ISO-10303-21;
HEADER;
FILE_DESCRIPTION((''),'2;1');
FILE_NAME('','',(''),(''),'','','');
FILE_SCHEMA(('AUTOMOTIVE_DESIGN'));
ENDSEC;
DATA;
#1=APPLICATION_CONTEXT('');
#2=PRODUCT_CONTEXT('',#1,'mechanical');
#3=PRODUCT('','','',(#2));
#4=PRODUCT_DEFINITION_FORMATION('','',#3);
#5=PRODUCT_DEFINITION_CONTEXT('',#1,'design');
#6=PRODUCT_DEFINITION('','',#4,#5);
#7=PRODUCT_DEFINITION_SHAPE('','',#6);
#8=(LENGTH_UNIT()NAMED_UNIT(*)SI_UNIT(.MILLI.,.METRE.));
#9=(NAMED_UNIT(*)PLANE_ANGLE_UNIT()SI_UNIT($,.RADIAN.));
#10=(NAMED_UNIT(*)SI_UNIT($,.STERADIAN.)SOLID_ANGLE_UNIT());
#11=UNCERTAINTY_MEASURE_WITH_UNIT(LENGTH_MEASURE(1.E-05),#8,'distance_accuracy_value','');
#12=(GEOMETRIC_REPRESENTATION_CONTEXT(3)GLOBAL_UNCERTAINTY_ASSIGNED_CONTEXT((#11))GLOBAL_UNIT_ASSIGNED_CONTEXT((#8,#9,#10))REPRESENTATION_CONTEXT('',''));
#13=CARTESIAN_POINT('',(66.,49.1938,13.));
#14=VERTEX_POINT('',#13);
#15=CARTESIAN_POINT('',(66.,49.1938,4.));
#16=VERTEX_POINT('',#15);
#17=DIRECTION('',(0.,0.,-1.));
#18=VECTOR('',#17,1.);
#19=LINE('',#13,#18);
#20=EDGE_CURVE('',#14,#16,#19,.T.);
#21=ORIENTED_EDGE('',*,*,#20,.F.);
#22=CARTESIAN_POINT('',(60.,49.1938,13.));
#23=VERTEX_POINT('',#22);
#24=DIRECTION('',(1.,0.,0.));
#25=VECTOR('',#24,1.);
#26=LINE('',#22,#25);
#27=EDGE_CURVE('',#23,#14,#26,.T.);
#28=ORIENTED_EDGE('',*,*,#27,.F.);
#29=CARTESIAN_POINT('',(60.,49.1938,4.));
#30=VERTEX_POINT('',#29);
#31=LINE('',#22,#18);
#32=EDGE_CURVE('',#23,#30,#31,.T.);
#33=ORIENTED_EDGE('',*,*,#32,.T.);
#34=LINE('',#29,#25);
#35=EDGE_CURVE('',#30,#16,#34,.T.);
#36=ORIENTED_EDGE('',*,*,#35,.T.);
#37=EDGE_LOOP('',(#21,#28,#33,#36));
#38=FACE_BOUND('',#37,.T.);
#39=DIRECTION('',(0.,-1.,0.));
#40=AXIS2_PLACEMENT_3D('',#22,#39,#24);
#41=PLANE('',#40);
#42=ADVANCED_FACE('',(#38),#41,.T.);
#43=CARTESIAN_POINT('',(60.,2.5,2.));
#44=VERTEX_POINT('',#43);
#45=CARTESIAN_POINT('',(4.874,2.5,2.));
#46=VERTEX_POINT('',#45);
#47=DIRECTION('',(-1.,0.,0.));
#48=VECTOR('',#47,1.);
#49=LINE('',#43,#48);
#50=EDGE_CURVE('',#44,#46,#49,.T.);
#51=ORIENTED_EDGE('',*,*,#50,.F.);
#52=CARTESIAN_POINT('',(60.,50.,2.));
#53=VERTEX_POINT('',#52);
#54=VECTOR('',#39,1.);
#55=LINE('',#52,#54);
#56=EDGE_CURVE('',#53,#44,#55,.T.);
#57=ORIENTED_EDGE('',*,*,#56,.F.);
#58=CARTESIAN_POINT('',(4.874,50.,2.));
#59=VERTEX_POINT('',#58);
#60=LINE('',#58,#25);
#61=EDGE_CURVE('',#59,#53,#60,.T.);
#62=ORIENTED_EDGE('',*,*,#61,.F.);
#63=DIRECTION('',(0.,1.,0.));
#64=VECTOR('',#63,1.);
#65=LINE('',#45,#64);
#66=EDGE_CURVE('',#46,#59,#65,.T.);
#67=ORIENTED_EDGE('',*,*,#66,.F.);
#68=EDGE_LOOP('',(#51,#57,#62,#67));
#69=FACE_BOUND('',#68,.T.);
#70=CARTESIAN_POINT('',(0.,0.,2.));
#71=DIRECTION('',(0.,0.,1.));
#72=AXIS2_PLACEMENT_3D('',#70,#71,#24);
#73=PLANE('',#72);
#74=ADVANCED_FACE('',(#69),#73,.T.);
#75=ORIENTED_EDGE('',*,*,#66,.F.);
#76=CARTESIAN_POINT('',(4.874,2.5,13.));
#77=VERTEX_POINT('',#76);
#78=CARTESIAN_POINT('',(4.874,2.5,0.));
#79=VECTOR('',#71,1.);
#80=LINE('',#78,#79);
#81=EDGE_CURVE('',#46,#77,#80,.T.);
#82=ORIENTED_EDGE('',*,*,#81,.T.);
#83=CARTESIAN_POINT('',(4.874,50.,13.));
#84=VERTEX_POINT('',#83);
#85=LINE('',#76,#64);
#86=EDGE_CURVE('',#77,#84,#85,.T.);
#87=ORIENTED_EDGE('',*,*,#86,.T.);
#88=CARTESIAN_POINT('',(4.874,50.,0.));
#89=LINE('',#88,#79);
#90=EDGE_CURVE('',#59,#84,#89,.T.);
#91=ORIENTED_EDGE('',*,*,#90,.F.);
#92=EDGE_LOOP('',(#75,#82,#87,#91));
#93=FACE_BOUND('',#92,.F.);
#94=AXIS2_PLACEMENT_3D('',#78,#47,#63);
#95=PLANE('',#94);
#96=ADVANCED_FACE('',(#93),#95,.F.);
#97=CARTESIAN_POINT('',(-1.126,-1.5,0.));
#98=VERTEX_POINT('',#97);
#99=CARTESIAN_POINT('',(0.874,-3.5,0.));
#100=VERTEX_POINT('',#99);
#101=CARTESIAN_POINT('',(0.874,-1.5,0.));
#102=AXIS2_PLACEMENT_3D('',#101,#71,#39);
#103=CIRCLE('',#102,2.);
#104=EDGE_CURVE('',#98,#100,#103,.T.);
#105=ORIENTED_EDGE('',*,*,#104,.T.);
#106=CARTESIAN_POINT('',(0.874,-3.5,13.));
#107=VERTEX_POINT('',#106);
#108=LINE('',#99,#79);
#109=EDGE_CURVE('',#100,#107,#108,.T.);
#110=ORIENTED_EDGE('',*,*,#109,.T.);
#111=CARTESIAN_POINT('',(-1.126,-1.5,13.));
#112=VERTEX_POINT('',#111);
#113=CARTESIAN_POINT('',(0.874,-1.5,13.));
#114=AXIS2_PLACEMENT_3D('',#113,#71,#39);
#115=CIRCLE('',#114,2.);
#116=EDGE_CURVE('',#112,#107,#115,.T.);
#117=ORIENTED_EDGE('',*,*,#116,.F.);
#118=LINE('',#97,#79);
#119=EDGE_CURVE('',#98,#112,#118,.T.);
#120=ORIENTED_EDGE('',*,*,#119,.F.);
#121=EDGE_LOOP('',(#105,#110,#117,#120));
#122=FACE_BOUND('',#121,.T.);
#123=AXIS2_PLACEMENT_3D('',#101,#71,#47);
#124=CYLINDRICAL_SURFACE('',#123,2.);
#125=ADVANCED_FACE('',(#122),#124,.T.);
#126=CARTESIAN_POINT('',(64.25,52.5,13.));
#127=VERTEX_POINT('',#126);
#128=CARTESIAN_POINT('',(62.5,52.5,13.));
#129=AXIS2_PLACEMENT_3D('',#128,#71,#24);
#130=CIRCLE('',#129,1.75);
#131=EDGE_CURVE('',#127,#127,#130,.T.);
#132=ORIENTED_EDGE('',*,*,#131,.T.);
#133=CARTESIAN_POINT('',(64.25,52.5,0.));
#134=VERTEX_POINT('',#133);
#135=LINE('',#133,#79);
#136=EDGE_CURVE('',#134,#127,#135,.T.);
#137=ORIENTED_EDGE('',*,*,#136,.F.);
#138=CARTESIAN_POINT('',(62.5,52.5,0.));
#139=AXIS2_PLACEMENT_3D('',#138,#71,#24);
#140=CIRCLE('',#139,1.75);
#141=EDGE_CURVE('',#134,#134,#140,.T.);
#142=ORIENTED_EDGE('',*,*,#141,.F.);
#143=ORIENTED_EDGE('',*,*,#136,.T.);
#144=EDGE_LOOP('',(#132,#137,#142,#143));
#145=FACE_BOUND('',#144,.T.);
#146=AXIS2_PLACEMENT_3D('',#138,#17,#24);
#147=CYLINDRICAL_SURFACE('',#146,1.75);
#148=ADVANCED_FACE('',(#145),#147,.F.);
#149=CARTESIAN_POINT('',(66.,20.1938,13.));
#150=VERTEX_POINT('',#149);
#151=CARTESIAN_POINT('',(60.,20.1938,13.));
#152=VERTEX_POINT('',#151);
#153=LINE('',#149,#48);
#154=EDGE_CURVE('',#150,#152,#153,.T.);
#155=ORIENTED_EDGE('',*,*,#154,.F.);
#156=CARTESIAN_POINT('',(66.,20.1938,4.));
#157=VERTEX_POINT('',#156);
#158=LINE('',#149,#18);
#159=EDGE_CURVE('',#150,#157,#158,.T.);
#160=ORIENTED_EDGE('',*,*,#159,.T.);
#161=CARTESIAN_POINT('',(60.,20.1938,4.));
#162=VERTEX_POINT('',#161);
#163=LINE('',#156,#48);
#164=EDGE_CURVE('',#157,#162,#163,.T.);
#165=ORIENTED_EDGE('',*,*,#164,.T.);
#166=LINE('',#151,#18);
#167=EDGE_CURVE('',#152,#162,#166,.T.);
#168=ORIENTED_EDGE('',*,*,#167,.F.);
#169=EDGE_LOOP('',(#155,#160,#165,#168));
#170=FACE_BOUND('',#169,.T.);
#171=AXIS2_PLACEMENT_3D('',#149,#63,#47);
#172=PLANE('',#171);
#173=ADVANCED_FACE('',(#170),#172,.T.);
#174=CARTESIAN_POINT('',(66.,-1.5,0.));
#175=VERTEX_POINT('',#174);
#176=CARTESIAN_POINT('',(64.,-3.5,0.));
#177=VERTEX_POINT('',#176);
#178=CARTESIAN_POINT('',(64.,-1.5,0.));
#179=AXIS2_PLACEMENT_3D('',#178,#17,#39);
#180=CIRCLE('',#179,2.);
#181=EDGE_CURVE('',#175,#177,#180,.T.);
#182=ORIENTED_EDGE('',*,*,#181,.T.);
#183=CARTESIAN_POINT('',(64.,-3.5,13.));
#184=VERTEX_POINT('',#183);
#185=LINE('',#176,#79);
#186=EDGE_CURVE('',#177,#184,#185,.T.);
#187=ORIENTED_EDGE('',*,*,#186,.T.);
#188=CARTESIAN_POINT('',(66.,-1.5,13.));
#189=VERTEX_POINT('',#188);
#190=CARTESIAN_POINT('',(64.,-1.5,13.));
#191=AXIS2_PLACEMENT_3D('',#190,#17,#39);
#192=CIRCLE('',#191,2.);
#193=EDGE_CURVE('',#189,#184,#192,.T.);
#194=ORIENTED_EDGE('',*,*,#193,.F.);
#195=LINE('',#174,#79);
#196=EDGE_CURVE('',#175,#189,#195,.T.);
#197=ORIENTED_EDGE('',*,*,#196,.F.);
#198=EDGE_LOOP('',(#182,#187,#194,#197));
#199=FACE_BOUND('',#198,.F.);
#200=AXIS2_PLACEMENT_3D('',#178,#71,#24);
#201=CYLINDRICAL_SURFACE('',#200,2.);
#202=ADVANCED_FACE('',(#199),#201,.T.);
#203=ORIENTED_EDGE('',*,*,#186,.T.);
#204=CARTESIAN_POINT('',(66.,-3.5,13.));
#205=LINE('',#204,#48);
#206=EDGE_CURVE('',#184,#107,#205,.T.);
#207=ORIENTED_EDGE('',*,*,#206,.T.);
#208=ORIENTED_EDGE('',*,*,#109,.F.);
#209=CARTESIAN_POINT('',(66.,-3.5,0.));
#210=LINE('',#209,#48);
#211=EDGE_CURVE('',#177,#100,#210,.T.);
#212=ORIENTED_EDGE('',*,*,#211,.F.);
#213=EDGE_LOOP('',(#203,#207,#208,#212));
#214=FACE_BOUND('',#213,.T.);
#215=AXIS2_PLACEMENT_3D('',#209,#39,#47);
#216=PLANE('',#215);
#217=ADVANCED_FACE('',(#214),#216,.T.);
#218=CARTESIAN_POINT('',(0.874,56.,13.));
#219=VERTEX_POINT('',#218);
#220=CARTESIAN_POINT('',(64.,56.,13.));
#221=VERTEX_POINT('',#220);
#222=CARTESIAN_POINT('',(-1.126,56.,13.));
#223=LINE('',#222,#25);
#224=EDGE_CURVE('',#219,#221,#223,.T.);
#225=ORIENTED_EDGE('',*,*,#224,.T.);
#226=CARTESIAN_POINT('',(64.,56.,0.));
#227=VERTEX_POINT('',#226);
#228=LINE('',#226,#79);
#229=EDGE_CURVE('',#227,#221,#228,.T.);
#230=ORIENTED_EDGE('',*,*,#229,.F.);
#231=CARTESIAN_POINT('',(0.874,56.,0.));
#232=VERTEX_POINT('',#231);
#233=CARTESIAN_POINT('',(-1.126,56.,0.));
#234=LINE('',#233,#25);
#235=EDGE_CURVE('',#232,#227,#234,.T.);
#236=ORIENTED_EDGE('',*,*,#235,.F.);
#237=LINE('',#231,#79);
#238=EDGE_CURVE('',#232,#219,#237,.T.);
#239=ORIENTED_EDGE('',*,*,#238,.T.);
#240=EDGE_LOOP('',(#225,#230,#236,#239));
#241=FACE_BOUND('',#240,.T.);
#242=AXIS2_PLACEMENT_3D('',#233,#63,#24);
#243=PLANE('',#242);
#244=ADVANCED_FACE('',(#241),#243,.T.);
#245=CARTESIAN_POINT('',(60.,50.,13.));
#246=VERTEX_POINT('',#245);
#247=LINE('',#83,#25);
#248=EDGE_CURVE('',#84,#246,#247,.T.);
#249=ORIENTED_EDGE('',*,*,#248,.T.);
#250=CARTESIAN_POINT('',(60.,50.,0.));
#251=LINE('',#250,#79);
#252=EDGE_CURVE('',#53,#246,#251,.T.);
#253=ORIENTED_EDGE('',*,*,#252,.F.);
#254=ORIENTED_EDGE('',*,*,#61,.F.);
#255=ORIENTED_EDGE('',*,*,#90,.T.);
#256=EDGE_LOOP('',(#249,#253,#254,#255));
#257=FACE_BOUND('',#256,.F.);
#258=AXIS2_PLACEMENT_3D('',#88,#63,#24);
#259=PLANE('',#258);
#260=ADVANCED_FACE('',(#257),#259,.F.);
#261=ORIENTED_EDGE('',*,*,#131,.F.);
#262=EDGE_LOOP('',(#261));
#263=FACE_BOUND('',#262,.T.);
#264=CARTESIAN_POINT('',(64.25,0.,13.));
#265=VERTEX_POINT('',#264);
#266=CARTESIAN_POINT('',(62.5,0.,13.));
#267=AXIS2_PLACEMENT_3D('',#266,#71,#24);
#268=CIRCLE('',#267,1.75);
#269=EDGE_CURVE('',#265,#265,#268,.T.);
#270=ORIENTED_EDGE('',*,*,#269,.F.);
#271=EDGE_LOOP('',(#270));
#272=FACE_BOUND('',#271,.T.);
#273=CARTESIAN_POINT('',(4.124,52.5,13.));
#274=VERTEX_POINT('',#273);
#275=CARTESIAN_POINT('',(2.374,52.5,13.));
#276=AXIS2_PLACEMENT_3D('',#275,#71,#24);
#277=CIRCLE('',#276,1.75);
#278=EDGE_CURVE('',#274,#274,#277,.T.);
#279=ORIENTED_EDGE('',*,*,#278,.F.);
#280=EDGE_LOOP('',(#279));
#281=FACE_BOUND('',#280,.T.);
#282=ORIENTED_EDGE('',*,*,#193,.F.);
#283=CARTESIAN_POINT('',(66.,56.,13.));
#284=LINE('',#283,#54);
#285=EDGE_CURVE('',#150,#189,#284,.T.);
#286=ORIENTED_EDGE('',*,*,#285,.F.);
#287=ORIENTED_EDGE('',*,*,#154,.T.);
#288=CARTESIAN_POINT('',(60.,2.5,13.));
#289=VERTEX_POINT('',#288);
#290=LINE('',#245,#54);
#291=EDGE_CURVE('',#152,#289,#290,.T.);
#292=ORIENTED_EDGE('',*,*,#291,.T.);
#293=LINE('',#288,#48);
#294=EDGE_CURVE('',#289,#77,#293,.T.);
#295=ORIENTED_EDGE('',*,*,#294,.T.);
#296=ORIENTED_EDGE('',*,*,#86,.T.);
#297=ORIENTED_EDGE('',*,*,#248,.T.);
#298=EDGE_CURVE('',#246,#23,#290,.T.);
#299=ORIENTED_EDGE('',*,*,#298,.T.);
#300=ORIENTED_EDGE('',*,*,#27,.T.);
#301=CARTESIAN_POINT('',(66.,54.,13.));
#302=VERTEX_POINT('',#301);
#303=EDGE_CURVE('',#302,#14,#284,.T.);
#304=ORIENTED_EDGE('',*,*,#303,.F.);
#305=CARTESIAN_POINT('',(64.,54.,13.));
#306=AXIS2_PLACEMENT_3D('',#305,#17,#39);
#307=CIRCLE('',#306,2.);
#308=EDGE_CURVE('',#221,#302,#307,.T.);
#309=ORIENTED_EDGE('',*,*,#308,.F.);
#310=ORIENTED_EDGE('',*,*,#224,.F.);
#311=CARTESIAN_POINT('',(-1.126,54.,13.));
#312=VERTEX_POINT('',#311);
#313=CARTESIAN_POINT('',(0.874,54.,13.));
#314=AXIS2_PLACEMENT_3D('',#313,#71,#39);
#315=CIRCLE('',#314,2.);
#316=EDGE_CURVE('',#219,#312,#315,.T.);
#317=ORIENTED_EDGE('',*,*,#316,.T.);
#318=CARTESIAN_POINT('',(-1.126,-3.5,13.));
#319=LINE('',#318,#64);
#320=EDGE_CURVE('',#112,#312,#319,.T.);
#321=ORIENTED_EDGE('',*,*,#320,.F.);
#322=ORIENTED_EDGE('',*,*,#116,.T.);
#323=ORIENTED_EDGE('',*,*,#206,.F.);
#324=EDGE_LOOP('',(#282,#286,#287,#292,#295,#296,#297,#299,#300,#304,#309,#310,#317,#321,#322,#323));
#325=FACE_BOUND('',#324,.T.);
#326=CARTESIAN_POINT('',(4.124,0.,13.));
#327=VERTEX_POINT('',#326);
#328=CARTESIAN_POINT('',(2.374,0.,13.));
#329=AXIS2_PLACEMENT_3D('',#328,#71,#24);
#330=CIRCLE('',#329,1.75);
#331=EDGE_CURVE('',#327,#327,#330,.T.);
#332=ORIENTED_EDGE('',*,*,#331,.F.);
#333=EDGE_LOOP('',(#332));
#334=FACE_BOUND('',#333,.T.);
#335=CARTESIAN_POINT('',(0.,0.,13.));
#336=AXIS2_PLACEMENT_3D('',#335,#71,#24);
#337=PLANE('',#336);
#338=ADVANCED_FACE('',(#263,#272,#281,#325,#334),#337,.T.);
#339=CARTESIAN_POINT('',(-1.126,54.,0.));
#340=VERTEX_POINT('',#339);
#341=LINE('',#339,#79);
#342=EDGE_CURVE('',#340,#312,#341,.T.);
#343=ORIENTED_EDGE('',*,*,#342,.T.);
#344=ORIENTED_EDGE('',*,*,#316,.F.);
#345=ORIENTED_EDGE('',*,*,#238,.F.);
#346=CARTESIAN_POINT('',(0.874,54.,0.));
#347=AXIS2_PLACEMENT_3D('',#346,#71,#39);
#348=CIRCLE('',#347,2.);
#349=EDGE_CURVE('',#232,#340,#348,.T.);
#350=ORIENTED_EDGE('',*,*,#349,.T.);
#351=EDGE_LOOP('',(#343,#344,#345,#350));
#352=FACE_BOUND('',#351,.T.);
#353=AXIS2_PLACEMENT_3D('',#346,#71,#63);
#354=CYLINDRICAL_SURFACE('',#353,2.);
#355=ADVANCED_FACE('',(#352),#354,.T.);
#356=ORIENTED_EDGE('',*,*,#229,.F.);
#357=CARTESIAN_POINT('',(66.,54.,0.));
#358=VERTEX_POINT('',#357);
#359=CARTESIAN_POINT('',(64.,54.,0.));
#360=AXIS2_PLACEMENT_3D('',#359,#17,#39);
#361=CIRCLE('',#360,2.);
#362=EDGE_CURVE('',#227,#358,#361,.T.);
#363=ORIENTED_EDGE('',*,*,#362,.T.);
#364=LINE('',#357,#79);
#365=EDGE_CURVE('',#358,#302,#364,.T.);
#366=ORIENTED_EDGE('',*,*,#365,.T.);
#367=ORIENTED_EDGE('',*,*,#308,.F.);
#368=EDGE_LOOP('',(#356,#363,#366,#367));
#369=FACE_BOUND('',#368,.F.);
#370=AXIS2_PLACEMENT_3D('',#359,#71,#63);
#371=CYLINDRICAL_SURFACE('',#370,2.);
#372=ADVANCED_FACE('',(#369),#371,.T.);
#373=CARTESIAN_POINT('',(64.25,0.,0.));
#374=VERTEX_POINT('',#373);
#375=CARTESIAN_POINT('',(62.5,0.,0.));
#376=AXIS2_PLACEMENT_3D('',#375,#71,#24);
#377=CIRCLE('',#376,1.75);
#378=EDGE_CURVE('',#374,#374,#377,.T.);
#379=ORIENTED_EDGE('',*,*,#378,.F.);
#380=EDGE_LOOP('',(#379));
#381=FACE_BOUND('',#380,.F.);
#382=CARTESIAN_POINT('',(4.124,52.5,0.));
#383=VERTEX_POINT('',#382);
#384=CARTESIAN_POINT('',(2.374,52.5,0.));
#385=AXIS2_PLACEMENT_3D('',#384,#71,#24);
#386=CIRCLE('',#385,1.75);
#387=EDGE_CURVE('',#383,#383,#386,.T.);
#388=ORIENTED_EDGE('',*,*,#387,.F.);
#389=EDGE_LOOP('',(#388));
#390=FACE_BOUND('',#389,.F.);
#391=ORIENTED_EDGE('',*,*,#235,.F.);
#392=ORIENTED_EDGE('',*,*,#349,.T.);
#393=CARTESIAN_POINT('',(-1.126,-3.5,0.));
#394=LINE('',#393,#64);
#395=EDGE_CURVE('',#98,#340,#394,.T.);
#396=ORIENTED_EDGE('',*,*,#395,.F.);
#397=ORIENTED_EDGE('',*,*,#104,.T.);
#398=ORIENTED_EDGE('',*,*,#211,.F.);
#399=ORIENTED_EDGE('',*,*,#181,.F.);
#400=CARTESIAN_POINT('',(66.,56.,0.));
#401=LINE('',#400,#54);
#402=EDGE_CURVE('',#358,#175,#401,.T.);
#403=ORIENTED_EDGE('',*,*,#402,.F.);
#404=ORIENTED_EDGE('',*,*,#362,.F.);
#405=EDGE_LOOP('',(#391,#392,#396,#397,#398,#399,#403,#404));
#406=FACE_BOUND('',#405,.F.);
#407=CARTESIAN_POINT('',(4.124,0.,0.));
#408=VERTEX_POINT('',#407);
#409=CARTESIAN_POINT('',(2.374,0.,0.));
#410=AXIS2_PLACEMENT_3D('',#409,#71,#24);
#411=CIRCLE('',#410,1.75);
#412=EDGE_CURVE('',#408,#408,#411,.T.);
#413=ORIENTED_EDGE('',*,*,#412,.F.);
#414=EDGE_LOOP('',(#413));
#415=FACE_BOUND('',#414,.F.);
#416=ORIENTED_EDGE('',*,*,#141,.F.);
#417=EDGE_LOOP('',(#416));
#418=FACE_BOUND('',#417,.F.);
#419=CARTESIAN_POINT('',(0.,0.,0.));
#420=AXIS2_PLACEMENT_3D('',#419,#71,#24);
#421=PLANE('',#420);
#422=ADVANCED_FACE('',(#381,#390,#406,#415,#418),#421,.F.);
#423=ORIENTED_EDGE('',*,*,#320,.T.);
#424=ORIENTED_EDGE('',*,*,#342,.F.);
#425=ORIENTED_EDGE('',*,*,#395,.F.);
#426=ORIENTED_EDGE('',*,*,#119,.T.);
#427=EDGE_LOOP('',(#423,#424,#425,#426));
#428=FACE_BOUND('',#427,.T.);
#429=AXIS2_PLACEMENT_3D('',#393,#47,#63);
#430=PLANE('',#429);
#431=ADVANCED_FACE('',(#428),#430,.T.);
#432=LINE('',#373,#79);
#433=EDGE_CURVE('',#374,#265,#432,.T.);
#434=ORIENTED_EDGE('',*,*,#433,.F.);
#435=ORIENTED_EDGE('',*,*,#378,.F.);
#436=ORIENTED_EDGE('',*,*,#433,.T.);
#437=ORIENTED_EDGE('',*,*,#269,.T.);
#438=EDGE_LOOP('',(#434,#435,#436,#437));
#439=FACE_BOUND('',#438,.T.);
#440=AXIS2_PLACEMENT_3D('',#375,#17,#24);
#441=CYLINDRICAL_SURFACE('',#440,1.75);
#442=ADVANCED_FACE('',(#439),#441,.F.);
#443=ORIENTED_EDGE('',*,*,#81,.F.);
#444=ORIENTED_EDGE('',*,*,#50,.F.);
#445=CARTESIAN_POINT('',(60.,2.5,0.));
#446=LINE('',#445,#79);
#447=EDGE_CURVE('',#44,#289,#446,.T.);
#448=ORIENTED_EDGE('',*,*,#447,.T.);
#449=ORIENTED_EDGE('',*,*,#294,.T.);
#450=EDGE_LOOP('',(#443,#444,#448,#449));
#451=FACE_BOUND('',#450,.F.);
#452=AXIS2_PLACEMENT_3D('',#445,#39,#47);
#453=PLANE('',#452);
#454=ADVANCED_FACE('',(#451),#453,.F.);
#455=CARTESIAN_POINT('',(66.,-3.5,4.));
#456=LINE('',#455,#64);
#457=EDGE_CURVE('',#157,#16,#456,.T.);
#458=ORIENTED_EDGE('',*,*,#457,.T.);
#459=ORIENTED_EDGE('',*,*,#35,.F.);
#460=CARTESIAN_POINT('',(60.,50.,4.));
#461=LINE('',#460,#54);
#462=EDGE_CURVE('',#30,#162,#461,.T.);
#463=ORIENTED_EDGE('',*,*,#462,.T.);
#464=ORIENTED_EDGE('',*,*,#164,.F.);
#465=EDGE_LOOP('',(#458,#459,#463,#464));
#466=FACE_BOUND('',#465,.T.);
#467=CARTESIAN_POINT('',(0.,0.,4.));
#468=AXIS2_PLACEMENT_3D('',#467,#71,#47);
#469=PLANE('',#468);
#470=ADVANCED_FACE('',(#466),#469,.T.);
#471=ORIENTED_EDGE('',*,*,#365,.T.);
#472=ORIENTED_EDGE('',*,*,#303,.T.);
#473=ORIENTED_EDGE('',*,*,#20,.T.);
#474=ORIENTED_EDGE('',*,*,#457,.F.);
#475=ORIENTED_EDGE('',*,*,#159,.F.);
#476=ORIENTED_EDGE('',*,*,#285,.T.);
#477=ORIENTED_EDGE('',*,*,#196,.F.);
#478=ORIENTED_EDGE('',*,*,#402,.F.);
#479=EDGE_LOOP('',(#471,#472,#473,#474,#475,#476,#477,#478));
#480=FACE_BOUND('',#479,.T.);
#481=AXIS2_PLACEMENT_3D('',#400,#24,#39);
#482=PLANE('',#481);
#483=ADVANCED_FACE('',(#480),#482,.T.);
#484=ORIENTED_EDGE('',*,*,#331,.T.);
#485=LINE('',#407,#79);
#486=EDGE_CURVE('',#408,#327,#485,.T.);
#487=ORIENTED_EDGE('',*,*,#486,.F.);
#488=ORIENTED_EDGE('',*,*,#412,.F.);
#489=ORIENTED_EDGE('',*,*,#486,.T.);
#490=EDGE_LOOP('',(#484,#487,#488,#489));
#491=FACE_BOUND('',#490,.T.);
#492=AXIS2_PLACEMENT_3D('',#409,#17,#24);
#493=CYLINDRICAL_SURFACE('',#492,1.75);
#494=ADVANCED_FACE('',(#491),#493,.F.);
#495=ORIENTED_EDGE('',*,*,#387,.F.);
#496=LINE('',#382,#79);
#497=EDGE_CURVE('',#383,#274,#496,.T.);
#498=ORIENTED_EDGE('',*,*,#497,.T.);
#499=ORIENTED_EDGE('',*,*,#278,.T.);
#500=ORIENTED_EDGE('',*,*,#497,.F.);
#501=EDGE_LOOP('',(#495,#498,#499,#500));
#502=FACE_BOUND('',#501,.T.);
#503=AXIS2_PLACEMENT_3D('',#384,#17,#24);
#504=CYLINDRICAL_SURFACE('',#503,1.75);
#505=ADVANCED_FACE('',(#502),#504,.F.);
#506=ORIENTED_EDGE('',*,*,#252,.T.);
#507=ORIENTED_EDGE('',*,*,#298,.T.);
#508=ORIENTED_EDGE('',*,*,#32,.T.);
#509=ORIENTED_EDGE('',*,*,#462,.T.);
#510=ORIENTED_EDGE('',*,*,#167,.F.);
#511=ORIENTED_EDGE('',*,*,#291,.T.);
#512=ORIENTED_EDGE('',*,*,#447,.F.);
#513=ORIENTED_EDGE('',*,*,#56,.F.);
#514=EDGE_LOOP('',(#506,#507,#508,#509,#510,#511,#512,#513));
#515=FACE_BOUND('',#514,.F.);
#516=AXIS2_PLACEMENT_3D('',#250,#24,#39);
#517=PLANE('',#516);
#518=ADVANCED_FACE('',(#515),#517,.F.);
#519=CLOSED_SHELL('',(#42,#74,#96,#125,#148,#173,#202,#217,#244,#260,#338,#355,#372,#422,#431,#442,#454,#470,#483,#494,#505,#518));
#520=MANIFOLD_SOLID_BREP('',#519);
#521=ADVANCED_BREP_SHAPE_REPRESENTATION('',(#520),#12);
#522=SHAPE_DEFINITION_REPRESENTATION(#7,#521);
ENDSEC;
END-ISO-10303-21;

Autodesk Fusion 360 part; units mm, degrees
sketch "Sketch1" plane through (0, 0, 0) normal (0, 0, 1) x (1, 0, 0)
  line L0 (4.874, 50) -> (60, 50)
  line L1 (60, 50) -> (60, 2.5)
  line L2 (60, 2.5) -> (4.874, 2.5)
  line L3 (4.874, 2.5) -> (4.874, 50)
  line L4 (-1.126, 56) -> (66, 56)
  line L5 (66, 56) -> (66, -3.5)
  line L6 (66, -3.5) -> (-1.126, -3.5)
  line L7 (-1.126, -3.5) -> (-1.126, 56)
  circle A0 centre (2.374, 52.5) radius 1.75
  circle A1 centre (2.374, 0) radius 1.75
  circle A2 centre (62.5, 52.5) radius 1.75
  circle A3 centre (62.5, 0) radius 1.75
  dimension "d1" = 55.126
  dimension "d2" = 47.5
  dimension "d3" = 6
  dimension "d4" = 6
  dimension "d5" = 6
  dimension "d6" = 6
  dimension "d7" = 3.5
  dimension "d8" = 3.5
  dimension "d9" = 3.5
  dimension "d10" = 3.5
  dimension "d11" = 3.5
  dimension "d12" = 3.5
  dimension "d13" = 3.5
  dimension "d14" = 3.5
  dimension "d15" = 3.5
  dimension "d16" = 3.5
  dimension "d17" = 3.5
  dimension "d18" = 3.5
extrude "Extrude1" add sketch "Sketch1" along normal blind 13
extrude "Extrude2" add sketch "Sketch1" along normal blind 2 contours L0 L1 L2 L3
sketch "Sketch2" plane through (0, 0, 13) normal (0, 0, 1) x (-1, 0, 0)
  line L0 (-60, -2.5) -> (-4.874, -2.5)
  line L1 (-4.874, -2.5) -> (-4.874, -50)
  line L2 (-4.874, -50) -> (-60, -50)
  line L3 (-60, -50) -> (-60, -2.5)
  circle A0 centre (-62.5, -52.5) radius 1.75
  circle A1 centre (-2.374, -52.5) radius 1.75
  circle A2 centre (-2.374, 0) radius 1.75
  circle A3 centre (-62.5, 0) radius 1.75
  line L4 (1.126, 3.5) -> (-66, 3.5)
  line L5 (-66, 3.5) -> (-66, -56)
  line L6 (-66, -56) -> (1.126, -56)
  line L7 (1.126, -56) -> (1.126, 3.5)
  line L8 (-60, -49.1938) -> (-66, -49.1938)
  line L9 (-66, -49.1938) -> (-66, -20.1938)
  line L10 (-66, -20.1938) -> (-60, -20.1938)
  line L11 (-60, -20.1938) -> (-60, -49.1938)
  dimension "d23" = 29
extrude "Extrude3" cut sketch "Sketch2" against normal blind 9 contours L3 L5 L8 L9 L10 L11
fillet "Fillet1" radius 2 4 edges at (-1.126, 56, 6.5) (-1.126, -3.5, 6.5) (66, -3.5, 6.5) (66, 56, 6.5)
